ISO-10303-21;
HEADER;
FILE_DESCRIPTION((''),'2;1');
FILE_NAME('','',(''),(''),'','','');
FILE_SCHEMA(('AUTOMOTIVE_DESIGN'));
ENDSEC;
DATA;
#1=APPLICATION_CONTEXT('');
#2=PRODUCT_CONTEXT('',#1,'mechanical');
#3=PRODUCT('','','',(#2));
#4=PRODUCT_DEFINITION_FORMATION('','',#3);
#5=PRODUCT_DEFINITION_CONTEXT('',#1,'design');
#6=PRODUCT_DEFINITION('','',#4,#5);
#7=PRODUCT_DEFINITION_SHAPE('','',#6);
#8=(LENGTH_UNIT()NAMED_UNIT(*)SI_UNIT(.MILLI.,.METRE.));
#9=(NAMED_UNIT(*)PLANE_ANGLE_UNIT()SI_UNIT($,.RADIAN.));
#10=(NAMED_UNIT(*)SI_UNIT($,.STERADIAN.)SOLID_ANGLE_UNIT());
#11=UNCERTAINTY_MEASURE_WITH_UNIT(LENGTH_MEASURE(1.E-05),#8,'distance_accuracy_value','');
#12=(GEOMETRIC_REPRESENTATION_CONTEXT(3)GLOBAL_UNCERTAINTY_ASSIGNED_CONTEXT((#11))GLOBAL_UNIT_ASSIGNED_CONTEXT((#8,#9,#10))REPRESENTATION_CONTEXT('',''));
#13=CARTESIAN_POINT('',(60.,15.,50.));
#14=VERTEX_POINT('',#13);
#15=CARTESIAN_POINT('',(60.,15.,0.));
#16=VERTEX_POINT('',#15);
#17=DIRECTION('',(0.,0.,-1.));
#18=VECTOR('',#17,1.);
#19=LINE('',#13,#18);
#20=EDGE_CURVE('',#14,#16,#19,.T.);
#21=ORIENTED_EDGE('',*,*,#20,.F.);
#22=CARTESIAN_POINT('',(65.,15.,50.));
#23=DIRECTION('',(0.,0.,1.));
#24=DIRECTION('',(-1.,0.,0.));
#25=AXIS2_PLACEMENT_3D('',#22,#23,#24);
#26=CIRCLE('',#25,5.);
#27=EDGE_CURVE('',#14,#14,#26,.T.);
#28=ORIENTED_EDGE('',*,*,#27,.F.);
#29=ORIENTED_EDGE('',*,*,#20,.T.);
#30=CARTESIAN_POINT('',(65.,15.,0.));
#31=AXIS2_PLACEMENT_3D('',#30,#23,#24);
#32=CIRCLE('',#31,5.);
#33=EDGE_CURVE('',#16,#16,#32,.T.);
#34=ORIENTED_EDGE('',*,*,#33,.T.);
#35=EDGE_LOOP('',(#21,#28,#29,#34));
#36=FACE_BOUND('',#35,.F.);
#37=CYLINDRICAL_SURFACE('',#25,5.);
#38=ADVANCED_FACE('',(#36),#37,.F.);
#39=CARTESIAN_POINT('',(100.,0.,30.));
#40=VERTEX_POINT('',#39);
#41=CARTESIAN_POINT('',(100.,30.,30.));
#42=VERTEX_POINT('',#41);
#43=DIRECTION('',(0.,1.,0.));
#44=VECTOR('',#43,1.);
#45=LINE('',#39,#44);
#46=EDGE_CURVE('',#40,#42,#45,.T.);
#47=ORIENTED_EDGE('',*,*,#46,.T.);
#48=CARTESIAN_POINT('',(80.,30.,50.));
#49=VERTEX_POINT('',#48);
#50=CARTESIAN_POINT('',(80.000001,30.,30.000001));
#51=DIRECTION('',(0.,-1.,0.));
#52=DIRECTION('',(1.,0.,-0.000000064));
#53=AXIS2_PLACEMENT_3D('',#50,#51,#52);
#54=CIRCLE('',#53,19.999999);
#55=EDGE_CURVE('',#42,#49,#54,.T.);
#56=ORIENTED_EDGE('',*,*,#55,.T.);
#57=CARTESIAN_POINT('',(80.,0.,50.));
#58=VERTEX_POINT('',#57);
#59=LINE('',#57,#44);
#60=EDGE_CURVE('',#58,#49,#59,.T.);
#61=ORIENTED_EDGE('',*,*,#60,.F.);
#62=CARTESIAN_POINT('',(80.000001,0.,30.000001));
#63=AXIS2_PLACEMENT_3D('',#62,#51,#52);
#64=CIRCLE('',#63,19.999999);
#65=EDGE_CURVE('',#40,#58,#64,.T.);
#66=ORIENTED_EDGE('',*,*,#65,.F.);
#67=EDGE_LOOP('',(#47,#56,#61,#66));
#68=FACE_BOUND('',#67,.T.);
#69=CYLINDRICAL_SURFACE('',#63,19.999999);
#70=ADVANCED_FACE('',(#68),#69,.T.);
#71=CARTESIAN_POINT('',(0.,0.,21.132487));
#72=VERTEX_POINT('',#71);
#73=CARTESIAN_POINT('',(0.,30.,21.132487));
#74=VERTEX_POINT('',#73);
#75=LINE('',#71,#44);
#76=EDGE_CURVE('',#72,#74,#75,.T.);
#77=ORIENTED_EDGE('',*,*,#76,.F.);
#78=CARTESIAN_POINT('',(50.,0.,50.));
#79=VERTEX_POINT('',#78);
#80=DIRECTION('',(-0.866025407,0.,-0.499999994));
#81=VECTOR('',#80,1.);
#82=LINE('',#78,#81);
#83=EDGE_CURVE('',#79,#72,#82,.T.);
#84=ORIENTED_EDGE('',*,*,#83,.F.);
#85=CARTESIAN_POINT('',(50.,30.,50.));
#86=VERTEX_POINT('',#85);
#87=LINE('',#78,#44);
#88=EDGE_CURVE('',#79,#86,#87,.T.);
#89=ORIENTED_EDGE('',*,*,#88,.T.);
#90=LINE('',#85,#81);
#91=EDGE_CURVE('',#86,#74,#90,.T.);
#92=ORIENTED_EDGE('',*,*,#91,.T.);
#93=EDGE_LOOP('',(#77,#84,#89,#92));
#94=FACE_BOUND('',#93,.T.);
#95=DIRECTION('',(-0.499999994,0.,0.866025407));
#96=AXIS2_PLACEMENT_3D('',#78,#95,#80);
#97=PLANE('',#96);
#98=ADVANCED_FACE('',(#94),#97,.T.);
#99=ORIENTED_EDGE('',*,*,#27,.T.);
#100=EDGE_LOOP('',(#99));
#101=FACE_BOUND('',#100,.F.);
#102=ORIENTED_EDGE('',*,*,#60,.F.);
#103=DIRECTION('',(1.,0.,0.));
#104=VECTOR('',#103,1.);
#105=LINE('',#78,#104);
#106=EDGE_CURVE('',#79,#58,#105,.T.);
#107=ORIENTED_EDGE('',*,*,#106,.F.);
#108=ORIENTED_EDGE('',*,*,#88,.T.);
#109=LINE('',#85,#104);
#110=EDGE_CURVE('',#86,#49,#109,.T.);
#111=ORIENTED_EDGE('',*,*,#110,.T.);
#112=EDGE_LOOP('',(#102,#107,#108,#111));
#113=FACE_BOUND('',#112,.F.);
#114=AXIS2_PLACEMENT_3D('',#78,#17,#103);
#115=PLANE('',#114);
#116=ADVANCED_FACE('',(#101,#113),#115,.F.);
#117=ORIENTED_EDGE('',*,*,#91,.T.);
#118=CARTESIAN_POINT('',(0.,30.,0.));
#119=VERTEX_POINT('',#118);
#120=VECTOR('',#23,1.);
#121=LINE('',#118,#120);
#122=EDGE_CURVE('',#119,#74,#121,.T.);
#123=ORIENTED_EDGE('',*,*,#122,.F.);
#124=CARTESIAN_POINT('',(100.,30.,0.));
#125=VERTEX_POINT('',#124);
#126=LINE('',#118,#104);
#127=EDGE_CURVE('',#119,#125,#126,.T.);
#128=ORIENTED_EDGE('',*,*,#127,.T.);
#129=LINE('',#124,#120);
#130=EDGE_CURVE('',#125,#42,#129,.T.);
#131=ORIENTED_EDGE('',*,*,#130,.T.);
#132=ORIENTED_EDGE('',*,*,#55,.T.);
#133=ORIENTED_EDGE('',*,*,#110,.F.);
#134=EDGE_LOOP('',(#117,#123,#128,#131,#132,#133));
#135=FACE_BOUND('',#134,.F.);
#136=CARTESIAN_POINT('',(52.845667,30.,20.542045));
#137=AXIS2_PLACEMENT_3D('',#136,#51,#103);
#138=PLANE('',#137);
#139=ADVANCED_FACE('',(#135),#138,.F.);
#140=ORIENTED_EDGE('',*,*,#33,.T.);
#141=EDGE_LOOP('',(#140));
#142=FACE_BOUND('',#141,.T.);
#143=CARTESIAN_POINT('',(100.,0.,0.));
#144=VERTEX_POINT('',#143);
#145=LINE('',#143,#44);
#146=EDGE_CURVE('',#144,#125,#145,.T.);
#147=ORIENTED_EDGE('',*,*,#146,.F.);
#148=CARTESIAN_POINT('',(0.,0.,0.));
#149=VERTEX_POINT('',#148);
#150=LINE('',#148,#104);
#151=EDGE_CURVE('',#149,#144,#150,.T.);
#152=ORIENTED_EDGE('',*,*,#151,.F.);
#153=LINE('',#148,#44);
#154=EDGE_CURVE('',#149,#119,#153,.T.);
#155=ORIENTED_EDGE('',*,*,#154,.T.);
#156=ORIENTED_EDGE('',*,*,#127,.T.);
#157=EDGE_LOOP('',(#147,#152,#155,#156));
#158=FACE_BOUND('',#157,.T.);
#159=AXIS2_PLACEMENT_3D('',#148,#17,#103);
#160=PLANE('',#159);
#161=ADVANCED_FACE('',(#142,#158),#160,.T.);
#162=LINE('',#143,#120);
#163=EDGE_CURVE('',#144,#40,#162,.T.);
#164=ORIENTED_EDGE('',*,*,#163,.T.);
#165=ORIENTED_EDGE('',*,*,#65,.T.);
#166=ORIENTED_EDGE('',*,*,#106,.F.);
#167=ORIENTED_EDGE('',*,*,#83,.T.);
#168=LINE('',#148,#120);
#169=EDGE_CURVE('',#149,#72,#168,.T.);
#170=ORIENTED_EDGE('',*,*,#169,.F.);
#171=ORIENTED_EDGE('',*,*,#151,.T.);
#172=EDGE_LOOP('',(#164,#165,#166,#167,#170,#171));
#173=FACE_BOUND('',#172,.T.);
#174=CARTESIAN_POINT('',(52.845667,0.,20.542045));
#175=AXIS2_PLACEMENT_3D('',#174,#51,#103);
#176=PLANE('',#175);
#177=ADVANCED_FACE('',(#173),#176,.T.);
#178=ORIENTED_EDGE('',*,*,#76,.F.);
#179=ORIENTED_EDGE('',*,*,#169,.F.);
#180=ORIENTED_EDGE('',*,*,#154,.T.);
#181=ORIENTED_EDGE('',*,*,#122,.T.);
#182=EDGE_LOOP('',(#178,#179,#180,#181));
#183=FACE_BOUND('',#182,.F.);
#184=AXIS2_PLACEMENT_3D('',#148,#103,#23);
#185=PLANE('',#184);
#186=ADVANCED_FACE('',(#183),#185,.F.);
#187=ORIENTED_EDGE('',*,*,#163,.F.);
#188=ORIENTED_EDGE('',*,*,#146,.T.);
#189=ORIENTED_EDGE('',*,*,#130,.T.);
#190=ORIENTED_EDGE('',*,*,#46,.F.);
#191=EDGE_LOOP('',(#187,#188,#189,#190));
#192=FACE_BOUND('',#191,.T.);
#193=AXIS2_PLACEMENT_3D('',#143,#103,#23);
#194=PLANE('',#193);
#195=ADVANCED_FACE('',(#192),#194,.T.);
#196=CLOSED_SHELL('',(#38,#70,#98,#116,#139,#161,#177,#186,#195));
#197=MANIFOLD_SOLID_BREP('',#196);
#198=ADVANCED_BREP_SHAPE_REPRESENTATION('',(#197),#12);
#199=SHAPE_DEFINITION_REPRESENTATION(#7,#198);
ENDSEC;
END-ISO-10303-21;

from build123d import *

# Parameters (mm, degrees)
PAD_DEPTH    = 30
SKETCH001_R  = 5
POCKET_DEPTH = 50.001


with BuildPart() as part:
    # Sketch → Pad (new body)
    with BuildSketch(Plane.XZ):
        with BuildLine():
            Line((0, 0), (100, 0))
            Line((100, 0), (100, 30))
            ThreePointArc((100, 30), (94.142136, 44.142136), (80, 50))
            Line((50, 50), (80, 50))
            Line((50, 50), (0, 21.132487))
            Line((0, 0), (0, 21.132487))
        make_face()
    extrude(amount=-PAD_DEPTH)

    # Sketch001 (on Face6 of Pad) → Pocket (cut, through all)
    with BuildSketch(Plane(origin=(0, 0, 50), x_dir=(-1, 0, 0), z_dir=(0, 0, 1))):
        with Locations((-65, -15)):
            Circle(SKETCH001_R)
    extrude(amount=-POCKET_DEPTH, mode=Mode.SUBTRACT)


solid = part.part
